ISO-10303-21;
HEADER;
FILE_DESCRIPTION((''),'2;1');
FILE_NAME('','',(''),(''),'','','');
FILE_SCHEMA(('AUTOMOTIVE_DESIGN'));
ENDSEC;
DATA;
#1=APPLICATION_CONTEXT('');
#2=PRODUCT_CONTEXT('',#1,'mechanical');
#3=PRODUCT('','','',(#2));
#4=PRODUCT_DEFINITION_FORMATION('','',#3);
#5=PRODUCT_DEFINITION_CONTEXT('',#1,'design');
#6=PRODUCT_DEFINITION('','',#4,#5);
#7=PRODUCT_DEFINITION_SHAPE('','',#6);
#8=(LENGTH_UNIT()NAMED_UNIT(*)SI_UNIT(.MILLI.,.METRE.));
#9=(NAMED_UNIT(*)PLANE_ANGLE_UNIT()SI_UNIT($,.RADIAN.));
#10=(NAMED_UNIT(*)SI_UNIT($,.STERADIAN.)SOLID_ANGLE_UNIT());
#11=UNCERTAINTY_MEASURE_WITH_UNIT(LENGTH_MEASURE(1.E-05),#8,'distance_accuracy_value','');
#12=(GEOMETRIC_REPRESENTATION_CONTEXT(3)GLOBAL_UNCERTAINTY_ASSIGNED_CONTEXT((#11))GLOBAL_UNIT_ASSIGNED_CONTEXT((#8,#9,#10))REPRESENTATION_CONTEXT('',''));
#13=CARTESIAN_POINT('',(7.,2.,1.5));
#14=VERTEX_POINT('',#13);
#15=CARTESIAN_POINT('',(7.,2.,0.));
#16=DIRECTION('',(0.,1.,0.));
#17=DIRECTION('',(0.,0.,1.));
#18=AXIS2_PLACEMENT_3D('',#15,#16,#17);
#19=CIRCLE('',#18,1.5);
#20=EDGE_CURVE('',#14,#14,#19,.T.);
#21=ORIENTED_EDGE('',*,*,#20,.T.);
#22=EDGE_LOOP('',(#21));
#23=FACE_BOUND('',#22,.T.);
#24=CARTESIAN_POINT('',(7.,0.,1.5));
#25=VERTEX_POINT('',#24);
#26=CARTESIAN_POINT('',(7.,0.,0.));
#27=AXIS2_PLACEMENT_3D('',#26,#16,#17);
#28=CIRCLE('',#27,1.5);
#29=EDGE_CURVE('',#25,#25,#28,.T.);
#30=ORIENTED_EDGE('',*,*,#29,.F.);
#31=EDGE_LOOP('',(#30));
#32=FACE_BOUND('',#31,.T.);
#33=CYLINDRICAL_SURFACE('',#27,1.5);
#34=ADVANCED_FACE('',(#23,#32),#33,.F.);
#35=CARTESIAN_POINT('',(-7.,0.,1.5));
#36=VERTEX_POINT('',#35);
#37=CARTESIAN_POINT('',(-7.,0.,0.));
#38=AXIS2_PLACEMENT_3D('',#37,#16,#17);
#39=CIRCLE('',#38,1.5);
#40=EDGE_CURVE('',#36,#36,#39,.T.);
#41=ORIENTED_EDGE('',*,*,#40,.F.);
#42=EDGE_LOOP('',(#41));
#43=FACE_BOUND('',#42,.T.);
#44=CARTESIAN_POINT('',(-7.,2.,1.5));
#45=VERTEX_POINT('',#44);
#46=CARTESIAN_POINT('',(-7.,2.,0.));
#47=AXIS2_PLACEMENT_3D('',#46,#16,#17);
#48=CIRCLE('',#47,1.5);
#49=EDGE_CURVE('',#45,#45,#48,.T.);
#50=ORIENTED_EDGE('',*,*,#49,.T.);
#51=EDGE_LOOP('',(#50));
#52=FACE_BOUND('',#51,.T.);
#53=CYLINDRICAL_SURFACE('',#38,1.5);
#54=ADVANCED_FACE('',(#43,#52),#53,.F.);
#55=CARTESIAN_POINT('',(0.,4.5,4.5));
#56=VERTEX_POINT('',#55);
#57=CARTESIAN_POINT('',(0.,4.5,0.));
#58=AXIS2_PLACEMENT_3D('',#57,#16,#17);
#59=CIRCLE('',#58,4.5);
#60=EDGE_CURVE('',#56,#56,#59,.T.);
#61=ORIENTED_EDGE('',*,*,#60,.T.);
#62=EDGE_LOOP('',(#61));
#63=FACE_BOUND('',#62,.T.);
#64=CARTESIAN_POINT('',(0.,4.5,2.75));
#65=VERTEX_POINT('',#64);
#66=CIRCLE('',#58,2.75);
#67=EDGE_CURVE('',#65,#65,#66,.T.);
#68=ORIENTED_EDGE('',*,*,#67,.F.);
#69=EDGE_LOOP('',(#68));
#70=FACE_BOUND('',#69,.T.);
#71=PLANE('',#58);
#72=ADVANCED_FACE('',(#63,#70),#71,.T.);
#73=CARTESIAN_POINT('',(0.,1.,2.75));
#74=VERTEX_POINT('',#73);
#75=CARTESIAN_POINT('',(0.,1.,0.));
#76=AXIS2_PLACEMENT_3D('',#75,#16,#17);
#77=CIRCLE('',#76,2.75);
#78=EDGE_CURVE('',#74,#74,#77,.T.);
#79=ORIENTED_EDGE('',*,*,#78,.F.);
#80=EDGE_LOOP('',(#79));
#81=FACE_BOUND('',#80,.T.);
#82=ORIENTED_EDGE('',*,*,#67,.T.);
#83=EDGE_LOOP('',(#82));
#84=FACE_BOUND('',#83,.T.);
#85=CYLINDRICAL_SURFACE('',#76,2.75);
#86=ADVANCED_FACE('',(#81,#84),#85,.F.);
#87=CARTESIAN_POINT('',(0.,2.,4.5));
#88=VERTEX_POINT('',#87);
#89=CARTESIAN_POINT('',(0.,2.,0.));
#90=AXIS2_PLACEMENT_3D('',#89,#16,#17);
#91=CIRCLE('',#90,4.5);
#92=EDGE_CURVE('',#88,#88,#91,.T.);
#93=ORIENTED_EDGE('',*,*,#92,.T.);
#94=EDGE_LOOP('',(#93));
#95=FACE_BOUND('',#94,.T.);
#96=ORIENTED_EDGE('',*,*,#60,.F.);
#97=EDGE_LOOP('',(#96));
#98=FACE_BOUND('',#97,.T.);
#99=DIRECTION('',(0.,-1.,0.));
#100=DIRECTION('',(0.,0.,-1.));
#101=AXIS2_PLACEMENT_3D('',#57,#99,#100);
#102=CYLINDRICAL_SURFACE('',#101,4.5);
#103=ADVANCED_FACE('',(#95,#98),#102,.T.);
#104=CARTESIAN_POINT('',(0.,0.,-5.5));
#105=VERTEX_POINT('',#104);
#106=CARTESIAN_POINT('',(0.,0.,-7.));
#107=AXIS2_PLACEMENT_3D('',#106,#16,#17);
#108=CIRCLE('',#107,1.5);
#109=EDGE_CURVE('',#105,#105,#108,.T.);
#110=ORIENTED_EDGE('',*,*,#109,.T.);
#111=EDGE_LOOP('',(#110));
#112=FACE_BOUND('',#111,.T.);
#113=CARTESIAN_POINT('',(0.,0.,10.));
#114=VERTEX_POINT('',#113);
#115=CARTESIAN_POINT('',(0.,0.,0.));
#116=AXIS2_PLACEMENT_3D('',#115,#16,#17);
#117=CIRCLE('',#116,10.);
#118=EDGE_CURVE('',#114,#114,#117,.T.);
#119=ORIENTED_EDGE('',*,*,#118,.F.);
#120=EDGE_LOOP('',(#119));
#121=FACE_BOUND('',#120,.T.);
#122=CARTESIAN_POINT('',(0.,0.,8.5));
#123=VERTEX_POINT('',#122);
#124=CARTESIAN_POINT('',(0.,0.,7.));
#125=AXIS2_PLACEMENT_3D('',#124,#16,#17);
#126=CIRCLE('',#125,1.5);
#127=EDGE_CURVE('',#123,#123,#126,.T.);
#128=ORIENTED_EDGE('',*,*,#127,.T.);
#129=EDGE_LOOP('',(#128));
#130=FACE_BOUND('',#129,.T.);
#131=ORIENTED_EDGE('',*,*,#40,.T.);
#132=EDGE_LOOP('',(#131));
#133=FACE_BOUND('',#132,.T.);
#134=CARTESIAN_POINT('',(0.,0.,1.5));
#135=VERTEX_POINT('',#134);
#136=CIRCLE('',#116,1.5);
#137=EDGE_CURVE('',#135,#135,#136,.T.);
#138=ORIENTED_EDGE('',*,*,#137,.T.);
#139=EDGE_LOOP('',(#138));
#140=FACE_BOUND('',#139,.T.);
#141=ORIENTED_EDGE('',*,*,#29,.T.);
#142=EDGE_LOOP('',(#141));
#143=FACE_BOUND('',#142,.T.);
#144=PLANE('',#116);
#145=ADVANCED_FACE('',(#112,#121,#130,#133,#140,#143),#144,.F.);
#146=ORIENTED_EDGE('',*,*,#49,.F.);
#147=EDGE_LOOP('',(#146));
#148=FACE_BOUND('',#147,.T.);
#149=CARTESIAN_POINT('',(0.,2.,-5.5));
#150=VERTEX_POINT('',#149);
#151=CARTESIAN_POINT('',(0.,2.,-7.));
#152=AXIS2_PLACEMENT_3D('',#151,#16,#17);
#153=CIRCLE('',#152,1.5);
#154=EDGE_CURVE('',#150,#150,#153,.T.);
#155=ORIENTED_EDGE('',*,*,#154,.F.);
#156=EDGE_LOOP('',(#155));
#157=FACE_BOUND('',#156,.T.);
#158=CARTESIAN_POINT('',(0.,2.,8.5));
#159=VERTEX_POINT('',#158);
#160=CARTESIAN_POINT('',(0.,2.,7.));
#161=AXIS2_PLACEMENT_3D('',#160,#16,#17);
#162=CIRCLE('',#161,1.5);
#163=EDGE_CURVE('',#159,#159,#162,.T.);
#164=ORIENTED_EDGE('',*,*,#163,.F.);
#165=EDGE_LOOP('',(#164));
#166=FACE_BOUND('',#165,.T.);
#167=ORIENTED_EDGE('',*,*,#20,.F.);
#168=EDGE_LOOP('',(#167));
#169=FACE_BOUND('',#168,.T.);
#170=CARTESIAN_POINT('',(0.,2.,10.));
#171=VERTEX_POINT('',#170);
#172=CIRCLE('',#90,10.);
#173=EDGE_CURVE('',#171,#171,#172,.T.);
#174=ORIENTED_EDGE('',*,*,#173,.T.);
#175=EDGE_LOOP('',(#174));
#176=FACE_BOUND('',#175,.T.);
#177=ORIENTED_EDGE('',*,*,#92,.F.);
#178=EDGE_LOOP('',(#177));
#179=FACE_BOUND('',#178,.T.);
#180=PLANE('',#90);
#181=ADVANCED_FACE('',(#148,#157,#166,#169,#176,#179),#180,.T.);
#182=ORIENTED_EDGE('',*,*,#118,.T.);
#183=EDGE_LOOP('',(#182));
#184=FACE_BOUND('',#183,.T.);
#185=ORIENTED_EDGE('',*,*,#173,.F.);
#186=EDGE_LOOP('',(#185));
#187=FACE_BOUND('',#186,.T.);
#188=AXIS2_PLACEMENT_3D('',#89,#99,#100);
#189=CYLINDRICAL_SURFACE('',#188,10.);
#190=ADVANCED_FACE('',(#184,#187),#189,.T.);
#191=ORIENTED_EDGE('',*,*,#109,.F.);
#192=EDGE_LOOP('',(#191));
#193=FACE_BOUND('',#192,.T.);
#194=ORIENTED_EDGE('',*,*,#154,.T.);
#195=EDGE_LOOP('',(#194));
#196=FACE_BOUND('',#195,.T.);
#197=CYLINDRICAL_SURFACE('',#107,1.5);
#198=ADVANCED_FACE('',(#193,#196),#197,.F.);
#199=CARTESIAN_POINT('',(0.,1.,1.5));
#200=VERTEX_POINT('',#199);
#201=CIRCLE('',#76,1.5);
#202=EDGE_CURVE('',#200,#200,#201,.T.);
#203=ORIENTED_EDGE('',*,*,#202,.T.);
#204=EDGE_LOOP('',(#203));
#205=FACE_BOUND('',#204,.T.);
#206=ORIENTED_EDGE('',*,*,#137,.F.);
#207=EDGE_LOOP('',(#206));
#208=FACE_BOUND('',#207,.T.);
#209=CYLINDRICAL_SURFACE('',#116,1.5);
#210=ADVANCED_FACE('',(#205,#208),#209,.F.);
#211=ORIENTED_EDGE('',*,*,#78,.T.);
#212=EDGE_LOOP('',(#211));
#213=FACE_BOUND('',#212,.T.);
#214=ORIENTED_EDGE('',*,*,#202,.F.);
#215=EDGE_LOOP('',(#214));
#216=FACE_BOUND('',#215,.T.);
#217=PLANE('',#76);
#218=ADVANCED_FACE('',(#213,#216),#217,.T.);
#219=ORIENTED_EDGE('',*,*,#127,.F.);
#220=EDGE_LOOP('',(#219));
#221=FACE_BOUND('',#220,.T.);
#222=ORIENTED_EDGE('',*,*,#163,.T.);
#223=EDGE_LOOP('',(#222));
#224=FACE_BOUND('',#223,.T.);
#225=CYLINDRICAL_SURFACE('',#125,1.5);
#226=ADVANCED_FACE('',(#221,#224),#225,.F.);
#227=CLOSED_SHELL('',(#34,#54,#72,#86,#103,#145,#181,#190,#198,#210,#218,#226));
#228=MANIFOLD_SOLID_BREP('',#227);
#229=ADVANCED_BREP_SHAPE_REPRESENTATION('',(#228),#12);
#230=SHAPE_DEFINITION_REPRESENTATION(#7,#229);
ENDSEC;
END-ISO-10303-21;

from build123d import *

# Parameters (mm, degrees)
SKETCH1_R           = 10
BOSS_EXTRUDE1_DEPTH = 2
SKETCH2_R           = 4.5
BOSS_EXTRUDE2_DEPTH = 2.5
SKETCH3_R           = 2.75
CUT_EXTRUDE1_DEPTH  = 3.5
SKETCH4_R           = 1.5
CUT_EXTRUDE2_DEPTH  = 2
SKETCH5_R           = 1.5
CUT_EXTRUDE3_DEPTH  = 3


with BuildPart() as part:
    # Sketch1 → Boss-Extrude1 (new body)
    with BuildSketch(Plane(origin=(0, 0, 0), x_dir=(1, 0, 0), z_dir=(0, 1, 0))):
        Circle(SKETCH1_R)
    extrude(amount=BOSS_EXTRUDE1_DEPTH)

    # Sketch2 → Boss-Extrude2 (add)
    with BuildSketch(Plane(origin=(0, 2, 0), x_dir=(1, 0, 0), z_dir=(0, 1, 0))):
        Circle(SKETCH2_R)
    extrude(amount=BOSS_EXTRUDE2_DEPTH)

    # Sketch3 → Cut-Extrude1 (cut)
    with BuildSketch(Plane(origin=(0, 4.5, 0), x_dir=(1, 0, 0), z_dir=(0, 1, 0))):
        Circle(SKETCH3_R)
    extrude(amount=-CUT_EXTRUDE1_DEPTH, mode=Mode.SUBTRACT)

    # Sketch4 → Cut-Extrude2 (cut, through all)
    with BuildSketch(Plane(origin=(0, 1, 0), x_dir=(1, 0, 0), z_dir=(0, 1, 0))):
        Circle(SKETCH4_R)
    extrude(amount=-CUT_EXTRUDE2_DEPTH, mode=Mode.SUBTRACT)

    # Sketch5 → Cut-Extrude3 (cut, through all)
    with BuildSketch(Plane(origin=(0, 2, 0), x_dir=(1, 0, 0), z_dir=(0, 1, 0))):
        with Locations((0, 7)):
            Circle(SKETCH5_R)
        with Locations((7, 0)):
            Circle(SKETCH5_R)
        with Locations((0, -7)):
            Circle(SKETCH5_R)
        with Locations((-7, 0)):
            Circle(SKETCH5_R)
    extrude(amount=-CUT_EXTRUDE3_DEPTH, mode=Mode.SUBTRACT)


solid = part.part
